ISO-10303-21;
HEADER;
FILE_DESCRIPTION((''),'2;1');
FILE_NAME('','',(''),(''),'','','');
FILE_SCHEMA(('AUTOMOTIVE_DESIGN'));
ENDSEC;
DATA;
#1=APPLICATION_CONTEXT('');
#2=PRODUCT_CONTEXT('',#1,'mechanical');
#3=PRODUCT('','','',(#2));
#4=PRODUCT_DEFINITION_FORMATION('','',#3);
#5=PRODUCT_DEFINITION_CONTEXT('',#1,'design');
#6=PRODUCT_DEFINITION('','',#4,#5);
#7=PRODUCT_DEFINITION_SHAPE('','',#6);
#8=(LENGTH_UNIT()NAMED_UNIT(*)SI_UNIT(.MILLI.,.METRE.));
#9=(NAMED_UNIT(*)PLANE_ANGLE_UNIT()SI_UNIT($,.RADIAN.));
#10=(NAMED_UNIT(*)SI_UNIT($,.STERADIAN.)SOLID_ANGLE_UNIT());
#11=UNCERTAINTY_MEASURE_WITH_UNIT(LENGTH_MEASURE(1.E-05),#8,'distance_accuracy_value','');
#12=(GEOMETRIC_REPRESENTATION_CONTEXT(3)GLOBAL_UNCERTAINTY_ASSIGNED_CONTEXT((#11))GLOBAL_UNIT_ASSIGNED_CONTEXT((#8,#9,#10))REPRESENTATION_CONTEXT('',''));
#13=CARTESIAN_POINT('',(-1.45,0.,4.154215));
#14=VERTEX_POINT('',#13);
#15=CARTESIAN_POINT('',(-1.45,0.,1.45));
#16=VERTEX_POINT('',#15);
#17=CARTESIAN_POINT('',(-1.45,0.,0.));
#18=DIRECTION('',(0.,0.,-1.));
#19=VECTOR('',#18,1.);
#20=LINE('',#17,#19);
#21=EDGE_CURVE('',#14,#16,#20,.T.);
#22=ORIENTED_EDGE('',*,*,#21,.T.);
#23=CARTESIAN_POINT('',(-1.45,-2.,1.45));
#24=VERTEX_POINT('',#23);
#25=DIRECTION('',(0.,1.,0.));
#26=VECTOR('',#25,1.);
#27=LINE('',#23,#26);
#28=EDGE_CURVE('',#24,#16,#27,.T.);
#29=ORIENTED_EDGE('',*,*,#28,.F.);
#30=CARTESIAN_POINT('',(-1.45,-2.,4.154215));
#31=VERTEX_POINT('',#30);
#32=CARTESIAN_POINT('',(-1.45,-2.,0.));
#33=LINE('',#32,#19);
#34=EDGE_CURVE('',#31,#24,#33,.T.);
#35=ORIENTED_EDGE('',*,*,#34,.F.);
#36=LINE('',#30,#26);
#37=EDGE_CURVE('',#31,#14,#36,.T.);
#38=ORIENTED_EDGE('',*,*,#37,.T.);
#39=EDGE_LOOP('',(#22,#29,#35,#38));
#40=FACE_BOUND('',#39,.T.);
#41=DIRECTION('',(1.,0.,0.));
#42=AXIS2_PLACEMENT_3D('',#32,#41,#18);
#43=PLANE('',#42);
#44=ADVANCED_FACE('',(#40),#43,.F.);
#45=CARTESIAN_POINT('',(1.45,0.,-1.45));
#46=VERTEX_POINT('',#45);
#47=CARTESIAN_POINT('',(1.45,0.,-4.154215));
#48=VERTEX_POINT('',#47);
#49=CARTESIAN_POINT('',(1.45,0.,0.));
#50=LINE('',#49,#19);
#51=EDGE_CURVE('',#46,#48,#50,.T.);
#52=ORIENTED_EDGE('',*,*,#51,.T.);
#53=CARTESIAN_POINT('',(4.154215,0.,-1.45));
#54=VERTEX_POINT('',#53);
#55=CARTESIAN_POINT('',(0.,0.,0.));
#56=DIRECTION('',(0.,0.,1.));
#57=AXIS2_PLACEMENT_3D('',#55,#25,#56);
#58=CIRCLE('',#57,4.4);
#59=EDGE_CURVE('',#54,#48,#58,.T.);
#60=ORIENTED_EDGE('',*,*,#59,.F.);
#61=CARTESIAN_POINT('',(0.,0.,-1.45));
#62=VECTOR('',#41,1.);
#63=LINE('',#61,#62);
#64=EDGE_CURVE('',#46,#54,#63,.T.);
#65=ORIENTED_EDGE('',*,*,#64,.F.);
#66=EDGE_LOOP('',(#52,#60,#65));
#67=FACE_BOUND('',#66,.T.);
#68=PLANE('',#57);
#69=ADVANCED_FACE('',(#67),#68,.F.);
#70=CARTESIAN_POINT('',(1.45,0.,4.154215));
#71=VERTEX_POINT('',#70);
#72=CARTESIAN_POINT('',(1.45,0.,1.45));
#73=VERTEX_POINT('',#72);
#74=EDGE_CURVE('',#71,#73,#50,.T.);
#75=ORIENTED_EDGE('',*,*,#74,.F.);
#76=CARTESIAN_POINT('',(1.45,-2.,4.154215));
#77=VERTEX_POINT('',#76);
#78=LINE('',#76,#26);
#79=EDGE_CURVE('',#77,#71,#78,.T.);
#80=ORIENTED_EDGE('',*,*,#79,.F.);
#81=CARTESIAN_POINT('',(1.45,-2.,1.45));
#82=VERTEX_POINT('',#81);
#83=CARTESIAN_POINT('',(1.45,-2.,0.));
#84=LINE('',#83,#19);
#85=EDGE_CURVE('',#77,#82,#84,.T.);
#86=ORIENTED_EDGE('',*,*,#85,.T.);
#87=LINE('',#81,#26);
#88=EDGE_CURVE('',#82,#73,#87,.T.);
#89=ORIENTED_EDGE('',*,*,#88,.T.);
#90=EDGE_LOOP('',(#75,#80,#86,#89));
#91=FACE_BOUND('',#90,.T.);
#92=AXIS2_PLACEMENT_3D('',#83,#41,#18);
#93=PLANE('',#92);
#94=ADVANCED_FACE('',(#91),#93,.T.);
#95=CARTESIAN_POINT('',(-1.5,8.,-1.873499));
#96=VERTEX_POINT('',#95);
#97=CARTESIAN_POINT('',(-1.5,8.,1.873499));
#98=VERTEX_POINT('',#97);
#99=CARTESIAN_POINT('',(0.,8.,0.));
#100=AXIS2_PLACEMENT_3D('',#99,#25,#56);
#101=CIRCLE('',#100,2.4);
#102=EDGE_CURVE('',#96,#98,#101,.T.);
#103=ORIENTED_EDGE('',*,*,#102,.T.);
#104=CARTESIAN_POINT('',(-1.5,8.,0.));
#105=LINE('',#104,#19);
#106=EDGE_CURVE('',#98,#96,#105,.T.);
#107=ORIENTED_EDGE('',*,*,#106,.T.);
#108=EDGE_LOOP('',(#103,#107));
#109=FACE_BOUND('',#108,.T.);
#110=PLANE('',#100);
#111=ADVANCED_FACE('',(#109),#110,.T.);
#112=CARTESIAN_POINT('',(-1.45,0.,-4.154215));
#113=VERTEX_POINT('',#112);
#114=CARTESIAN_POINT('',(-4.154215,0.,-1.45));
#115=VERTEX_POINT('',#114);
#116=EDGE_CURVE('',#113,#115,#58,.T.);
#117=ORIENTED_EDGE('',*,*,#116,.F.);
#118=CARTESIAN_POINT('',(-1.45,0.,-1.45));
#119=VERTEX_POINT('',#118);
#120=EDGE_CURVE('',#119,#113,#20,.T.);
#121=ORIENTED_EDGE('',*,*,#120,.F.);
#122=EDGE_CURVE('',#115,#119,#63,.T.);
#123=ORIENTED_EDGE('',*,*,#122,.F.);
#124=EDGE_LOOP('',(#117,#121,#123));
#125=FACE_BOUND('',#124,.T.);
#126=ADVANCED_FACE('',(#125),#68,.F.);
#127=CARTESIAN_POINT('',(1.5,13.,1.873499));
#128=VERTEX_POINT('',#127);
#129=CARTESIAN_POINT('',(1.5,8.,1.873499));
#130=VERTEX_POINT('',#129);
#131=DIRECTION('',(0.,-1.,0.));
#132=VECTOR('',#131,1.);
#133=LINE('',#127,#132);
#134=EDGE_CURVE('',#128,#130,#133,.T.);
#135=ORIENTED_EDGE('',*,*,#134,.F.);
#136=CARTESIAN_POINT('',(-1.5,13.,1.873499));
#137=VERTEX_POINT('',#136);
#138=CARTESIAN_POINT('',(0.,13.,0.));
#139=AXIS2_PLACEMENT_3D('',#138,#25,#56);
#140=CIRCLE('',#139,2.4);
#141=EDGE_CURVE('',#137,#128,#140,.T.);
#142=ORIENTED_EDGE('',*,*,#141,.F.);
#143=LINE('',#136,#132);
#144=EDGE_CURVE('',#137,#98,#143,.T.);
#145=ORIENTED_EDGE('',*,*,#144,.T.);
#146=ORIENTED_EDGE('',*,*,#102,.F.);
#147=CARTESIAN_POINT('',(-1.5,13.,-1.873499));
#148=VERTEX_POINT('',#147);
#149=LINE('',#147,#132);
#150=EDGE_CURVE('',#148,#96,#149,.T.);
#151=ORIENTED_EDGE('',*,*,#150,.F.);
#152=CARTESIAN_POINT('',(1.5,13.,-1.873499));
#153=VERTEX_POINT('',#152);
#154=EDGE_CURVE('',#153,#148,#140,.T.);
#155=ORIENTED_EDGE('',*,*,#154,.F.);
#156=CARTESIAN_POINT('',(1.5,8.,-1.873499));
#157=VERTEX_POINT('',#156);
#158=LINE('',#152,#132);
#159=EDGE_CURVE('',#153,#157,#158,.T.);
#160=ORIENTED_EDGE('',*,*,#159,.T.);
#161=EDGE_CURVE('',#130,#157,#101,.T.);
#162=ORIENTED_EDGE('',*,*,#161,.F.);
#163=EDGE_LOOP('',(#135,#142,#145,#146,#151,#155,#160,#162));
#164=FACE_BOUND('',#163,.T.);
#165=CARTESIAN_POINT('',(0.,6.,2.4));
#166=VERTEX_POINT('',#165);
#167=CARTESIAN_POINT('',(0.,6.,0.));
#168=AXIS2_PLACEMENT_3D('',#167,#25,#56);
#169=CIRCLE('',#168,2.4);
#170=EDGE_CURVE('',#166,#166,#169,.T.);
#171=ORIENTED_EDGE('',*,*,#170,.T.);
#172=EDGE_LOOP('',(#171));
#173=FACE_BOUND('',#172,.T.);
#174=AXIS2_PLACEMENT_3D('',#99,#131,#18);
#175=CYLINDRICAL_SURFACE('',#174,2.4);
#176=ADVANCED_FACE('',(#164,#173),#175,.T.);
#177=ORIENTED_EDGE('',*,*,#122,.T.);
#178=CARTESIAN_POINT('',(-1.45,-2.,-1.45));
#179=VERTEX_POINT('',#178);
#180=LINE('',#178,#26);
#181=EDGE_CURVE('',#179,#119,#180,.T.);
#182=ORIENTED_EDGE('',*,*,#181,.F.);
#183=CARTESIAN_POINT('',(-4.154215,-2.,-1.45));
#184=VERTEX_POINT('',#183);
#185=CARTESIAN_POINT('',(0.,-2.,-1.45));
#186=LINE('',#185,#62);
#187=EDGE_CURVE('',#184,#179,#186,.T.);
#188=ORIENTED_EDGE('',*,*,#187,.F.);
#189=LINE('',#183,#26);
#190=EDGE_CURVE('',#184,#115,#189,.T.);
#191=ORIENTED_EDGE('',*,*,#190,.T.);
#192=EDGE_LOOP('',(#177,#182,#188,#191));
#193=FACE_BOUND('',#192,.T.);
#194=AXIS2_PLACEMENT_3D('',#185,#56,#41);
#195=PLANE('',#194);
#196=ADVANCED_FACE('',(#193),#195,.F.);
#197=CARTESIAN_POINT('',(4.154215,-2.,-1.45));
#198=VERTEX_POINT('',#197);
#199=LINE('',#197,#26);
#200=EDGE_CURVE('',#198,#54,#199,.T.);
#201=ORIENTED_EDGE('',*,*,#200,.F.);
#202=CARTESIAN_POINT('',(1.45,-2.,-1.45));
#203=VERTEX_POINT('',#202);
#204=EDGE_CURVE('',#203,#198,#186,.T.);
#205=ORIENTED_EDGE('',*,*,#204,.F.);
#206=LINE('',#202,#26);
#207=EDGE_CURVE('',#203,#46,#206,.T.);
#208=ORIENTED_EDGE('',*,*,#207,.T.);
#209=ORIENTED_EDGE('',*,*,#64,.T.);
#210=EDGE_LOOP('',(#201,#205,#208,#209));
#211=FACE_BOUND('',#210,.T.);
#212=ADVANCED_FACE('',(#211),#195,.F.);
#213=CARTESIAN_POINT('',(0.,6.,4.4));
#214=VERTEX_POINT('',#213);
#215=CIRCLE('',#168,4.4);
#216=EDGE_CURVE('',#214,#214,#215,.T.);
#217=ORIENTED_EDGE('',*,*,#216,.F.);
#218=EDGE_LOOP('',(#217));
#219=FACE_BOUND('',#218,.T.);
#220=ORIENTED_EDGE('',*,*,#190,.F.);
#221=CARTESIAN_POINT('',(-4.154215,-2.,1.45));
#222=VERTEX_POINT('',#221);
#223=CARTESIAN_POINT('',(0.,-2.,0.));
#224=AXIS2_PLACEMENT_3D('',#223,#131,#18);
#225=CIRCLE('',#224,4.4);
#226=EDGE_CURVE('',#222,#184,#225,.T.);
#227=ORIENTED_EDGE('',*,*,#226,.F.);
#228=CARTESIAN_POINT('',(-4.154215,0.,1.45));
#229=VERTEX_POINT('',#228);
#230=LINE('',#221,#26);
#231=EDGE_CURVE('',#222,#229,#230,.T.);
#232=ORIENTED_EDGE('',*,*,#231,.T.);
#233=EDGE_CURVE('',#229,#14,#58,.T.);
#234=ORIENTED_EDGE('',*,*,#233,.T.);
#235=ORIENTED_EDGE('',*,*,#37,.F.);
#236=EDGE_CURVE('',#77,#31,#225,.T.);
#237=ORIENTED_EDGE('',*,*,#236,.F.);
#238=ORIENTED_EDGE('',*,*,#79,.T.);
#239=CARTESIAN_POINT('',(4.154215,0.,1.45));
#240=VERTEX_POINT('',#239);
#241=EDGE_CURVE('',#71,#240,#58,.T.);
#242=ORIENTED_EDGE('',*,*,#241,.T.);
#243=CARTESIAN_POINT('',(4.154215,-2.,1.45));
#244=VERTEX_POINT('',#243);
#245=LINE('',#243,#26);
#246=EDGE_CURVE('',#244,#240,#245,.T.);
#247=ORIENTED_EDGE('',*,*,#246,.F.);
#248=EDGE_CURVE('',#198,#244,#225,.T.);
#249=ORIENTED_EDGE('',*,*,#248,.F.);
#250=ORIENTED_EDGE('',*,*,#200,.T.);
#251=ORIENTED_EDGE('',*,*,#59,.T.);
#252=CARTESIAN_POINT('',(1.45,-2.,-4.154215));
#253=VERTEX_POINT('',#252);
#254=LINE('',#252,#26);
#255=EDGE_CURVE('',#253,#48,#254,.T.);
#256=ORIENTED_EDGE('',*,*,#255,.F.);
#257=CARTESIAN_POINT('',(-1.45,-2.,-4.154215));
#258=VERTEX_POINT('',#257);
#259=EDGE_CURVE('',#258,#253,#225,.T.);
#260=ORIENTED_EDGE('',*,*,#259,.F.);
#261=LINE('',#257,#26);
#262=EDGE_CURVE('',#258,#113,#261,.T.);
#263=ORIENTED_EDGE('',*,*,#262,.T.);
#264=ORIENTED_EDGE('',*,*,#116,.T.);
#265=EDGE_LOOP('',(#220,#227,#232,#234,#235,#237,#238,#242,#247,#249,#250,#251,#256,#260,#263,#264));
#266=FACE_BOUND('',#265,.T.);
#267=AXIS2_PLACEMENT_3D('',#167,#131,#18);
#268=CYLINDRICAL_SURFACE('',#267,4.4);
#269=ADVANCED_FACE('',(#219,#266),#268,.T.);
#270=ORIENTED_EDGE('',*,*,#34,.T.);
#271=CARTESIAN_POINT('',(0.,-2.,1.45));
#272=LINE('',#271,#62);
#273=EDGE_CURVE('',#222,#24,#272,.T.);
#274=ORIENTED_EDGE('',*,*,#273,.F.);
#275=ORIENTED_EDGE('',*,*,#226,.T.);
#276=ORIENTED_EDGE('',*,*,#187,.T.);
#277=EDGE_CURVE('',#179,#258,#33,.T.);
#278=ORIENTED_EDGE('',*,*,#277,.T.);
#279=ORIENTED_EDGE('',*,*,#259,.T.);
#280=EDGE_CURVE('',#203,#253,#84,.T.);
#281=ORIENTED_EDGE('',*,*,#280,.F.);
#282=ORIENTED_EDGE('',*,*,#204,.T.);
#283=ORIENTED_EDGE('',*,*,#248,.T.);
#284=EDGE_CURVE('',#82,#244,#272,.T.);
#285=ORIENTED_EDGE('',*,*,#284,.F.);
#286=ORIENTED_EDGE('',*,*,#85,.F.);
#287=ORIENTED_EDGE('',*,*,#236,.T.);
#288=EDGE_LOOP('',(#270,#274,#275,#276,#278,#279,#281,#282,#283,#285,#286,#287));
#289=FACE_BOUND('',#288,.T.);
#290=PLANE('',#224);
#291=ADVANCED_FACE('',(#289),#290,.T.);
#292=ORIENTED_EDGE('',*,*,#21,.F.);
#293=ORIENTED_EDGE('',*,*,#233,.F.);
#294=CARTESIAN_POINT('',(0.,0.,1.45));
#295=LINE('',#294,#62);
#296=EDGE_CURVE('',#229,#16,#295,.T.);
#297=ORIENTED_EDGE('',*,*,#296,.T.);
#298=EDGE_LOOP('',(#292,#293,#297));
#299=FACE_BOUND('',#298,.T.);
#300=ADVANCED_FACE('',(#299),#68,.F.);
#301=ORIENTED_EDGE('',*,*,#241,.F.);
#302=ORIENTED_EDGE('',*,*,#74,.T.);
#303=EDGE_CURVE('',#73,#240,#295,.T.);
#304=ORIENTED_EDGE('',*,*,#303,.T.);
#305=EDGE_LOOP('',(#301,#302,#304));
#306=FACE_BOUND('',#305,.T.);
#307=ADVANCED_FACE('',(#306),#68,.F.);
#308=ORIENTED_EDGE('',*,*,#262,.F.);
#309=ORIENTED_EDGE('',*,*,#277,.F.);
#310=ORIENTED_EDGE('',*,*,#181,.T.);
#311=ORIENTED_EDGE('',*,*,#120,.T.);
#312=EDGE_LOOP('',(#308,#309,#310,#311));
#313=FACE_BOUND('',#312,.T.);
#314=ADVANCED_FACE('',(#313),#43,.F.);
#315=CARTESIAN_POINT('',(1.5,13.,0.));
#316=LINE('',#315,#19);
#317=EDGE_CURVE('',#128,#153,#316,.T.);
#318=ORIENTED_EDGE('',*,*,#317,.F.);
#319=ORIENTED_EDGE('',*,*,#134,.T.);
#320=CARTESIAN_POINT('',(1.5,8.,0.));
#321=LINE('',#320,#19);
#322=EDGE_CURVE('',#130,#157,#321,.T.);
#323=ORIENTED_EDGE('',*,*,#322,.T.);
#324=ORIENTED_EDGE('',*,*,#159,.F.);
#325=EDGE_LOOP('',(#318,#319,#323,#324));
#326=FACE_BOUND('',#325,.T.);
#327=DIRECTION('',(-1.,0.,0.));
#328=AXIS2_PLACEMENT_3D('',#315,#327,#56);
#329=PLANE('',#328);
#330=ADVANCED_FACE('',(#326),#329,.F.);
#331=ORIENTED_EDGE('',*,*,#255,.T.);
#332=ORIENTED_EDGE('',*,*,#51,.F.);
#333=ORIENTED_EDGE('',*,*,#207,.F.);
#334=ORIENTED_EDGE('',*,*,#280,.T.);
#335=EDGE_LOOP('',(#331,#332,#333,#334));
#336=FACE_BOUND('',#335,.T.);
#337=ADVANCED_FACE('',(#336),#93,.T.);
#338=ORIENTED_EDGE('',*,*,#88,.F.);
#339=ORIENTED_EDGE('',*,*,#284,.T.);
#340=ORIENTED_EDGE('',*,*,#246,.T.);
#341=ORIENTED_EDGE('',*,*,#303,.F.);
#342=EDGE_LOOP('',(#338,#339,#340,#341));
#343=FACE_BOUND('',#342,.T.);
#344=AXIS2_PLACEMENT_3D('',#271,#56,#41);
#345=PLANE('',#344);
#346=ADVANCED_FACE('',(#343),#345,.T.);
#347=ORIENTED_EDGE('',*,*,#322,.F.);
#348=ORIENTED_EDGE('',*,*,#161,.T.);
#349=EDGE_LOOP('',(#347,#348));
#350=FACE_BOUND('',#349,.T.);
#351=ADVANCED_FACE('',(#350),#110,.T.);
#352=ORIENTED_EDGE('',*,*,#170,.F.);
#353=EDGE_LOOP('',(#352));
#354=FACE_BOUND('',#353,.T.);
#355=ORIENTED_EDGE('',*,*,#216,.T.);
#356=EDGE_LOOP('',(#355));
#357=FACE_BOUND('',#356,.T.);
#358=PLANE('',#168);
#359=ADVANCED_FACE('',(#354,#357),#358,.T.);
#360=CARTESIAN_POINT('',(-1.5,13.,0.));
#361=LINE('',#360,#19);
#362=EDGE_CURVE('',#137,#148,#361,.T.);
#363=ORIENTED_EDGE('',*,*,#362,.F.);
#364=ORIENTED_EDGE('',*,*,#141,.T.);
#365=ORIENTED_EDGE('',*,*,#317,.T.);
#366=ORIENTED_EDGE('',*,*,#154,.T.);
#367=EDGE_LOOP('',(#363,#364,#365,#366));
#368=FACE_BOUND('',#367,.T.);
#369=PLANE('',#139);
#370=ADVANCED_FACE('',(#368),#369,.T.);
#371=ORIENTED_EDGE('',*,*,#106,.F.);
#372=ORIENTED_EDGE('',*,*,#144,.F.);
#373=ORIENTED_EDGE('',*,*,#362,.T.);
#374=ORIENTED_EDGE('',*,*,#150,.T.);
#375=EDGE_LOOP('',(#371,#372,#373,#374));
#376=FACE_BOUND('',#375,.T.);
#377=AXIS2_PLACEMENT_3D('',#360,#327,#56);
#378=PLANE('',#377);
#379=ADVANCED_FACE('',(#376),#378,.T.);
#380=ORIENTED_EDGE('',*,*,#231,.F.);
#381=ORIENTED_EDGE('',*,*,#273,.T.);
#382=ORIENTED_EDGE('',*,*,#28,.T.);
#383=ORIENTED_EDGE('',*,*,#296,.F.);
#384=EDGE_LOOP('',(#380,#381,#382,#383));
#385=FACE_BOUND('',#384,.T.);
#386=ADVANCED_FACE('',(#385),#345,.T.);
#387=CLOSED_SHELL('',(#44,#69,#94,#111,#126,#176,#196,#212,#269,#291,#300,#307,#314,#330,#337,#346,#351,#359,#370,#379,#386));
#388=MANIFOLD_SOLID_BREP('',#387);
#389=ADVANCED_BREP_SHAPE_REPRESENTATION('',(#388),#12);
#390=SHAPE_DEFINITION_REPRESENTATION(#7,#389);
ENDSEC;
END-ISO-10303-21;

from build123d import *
from build123d.topology import SkipClean

# Parameters (mm, degrees)
SKETCH1_R           = 4.4
BOSS_EXTRUDE1_DEPTH = 6
SKETCH2_R           = 2.4
BOSS_EXTRUDE2_DEPTH = 2
BOSS_EXTRUDE3_DEPTH = 5
BOSS_EXTRUDE4_START = 2
SKETCH4_W           = 2.9
SKETCH4_H           = 2.9
BOSS_EXTRUDE4_DEPTH = 2


with BuildPart() as part:
    # Sketch1 → Boss-Extrude1 (new body)
    with BuildSketch(Plane(origin=(0, 0, 0), x_dir=(1, 0, 0), z_dir=(0, 1, 0))):
        with Locations(Location((0, 0, 0), (0, 0, 270))):
            Circle(SKETCH1_R)
    extrude(amount=BOSS_EXTRUDE1_DEPTH)

    # Sketch2 → Boss-Extrude2 (add)
    with BuildSketch(Plane(origin=(0, 6, 0), x_dir=(1, 0, 0), z_dir=(0, 1, 0))):
        with Locations(Location((0, 0, 0), (0, 0, 270))):
            Circle(SKETCH2_R)
    extrude(amount=BOSS_EXTRUDE2_DEPTH)

    # Sketch3 → Boss-Extrude3 (add)
    with BuildSketch(Plane(origin=(0, 8, 0), x_dir=(1, 0, 0), z_dir=(0, 1, 0))):
        with BuildLine():
            Line((-1.5, 1.8734994), (-1.5, -1.8734994))
            ThreePointArc((-1.5, -1.8734994), (0, -2.4), (1.5, -1.8734994))
            Line((1.5, -1.8734994), (1.5, 1.8734994))
            ThreePointArc((1.5, 1.8734994), (0, 2.4), (-1.5, 1.8734994))
        make_face()
    extrude(amount=BOSS_EXTRUDE3_DEPTH)

    # Sketch4 → Boss-Extrude4 (add)
    with SkipClean():  # the faces are left unmerged after this step: merging them gives an invalid solid
        with BuildSketch(Plane.XZ.offset(BOSS_EXTRUDE4_START)):
            with BuildLine():
                Line((1.45, -1.45), (-1.45, -1.45))
                Line((-1.45, -1.45), (-1.45, -4.154214727))
                ThreePointArc((-1.45, -4.154214727), (0, -4.4), (1.45, -4.154214727))
                Line((1.45, -4.154214727), (1.45, -1.45))
            make_face()
            Rectangle(SKETCH4_W, SKETCH4_H)
            with BuildLine():
                Line((4.154214727, 1.45), (1.45, 1.45))
                Line((1.45, 1.45), (1.45, -1.45))
                Line((1.45, -1.45), (4.154214727, -1.45))
                ThreePointArc((4.154214727, -1.45), (4.338118532, -0.735341825), (4.4, 0))
                ThreePointArc((4.4, 0), (4.338118532, 0.735341825), (4.154214727, 1.45))
            make_face()
            with BuildLine():
                Line((-1.45, 1.45), (-4.154214727, 1.45))
                ThreePointArc((-4.154214727, 1.45), (-4.4, 0), (-4.154214727, -1.45))
                Line((-4.154214727, -1.45), (-1.45, -1.45))
                Line((-1.45, -1.45), (-1.45, 1.45))
            make_face()
            with BuildLine():
                Line((-1.45, 4.154214727), (-1.45, 1.45))
                Line((-1.45, 1.45), (1.45, 1.45))
                Line((1.45, 1.45), (1.45, 4.154214727))
                ThreePointArc((1.45, 4.154214727), (0, 4.4), (-1.45, 4.154214727))
            make_face()
        extrude(amount=-BOSS_EXTRUDE4_DEPTH)


solid = part.part
